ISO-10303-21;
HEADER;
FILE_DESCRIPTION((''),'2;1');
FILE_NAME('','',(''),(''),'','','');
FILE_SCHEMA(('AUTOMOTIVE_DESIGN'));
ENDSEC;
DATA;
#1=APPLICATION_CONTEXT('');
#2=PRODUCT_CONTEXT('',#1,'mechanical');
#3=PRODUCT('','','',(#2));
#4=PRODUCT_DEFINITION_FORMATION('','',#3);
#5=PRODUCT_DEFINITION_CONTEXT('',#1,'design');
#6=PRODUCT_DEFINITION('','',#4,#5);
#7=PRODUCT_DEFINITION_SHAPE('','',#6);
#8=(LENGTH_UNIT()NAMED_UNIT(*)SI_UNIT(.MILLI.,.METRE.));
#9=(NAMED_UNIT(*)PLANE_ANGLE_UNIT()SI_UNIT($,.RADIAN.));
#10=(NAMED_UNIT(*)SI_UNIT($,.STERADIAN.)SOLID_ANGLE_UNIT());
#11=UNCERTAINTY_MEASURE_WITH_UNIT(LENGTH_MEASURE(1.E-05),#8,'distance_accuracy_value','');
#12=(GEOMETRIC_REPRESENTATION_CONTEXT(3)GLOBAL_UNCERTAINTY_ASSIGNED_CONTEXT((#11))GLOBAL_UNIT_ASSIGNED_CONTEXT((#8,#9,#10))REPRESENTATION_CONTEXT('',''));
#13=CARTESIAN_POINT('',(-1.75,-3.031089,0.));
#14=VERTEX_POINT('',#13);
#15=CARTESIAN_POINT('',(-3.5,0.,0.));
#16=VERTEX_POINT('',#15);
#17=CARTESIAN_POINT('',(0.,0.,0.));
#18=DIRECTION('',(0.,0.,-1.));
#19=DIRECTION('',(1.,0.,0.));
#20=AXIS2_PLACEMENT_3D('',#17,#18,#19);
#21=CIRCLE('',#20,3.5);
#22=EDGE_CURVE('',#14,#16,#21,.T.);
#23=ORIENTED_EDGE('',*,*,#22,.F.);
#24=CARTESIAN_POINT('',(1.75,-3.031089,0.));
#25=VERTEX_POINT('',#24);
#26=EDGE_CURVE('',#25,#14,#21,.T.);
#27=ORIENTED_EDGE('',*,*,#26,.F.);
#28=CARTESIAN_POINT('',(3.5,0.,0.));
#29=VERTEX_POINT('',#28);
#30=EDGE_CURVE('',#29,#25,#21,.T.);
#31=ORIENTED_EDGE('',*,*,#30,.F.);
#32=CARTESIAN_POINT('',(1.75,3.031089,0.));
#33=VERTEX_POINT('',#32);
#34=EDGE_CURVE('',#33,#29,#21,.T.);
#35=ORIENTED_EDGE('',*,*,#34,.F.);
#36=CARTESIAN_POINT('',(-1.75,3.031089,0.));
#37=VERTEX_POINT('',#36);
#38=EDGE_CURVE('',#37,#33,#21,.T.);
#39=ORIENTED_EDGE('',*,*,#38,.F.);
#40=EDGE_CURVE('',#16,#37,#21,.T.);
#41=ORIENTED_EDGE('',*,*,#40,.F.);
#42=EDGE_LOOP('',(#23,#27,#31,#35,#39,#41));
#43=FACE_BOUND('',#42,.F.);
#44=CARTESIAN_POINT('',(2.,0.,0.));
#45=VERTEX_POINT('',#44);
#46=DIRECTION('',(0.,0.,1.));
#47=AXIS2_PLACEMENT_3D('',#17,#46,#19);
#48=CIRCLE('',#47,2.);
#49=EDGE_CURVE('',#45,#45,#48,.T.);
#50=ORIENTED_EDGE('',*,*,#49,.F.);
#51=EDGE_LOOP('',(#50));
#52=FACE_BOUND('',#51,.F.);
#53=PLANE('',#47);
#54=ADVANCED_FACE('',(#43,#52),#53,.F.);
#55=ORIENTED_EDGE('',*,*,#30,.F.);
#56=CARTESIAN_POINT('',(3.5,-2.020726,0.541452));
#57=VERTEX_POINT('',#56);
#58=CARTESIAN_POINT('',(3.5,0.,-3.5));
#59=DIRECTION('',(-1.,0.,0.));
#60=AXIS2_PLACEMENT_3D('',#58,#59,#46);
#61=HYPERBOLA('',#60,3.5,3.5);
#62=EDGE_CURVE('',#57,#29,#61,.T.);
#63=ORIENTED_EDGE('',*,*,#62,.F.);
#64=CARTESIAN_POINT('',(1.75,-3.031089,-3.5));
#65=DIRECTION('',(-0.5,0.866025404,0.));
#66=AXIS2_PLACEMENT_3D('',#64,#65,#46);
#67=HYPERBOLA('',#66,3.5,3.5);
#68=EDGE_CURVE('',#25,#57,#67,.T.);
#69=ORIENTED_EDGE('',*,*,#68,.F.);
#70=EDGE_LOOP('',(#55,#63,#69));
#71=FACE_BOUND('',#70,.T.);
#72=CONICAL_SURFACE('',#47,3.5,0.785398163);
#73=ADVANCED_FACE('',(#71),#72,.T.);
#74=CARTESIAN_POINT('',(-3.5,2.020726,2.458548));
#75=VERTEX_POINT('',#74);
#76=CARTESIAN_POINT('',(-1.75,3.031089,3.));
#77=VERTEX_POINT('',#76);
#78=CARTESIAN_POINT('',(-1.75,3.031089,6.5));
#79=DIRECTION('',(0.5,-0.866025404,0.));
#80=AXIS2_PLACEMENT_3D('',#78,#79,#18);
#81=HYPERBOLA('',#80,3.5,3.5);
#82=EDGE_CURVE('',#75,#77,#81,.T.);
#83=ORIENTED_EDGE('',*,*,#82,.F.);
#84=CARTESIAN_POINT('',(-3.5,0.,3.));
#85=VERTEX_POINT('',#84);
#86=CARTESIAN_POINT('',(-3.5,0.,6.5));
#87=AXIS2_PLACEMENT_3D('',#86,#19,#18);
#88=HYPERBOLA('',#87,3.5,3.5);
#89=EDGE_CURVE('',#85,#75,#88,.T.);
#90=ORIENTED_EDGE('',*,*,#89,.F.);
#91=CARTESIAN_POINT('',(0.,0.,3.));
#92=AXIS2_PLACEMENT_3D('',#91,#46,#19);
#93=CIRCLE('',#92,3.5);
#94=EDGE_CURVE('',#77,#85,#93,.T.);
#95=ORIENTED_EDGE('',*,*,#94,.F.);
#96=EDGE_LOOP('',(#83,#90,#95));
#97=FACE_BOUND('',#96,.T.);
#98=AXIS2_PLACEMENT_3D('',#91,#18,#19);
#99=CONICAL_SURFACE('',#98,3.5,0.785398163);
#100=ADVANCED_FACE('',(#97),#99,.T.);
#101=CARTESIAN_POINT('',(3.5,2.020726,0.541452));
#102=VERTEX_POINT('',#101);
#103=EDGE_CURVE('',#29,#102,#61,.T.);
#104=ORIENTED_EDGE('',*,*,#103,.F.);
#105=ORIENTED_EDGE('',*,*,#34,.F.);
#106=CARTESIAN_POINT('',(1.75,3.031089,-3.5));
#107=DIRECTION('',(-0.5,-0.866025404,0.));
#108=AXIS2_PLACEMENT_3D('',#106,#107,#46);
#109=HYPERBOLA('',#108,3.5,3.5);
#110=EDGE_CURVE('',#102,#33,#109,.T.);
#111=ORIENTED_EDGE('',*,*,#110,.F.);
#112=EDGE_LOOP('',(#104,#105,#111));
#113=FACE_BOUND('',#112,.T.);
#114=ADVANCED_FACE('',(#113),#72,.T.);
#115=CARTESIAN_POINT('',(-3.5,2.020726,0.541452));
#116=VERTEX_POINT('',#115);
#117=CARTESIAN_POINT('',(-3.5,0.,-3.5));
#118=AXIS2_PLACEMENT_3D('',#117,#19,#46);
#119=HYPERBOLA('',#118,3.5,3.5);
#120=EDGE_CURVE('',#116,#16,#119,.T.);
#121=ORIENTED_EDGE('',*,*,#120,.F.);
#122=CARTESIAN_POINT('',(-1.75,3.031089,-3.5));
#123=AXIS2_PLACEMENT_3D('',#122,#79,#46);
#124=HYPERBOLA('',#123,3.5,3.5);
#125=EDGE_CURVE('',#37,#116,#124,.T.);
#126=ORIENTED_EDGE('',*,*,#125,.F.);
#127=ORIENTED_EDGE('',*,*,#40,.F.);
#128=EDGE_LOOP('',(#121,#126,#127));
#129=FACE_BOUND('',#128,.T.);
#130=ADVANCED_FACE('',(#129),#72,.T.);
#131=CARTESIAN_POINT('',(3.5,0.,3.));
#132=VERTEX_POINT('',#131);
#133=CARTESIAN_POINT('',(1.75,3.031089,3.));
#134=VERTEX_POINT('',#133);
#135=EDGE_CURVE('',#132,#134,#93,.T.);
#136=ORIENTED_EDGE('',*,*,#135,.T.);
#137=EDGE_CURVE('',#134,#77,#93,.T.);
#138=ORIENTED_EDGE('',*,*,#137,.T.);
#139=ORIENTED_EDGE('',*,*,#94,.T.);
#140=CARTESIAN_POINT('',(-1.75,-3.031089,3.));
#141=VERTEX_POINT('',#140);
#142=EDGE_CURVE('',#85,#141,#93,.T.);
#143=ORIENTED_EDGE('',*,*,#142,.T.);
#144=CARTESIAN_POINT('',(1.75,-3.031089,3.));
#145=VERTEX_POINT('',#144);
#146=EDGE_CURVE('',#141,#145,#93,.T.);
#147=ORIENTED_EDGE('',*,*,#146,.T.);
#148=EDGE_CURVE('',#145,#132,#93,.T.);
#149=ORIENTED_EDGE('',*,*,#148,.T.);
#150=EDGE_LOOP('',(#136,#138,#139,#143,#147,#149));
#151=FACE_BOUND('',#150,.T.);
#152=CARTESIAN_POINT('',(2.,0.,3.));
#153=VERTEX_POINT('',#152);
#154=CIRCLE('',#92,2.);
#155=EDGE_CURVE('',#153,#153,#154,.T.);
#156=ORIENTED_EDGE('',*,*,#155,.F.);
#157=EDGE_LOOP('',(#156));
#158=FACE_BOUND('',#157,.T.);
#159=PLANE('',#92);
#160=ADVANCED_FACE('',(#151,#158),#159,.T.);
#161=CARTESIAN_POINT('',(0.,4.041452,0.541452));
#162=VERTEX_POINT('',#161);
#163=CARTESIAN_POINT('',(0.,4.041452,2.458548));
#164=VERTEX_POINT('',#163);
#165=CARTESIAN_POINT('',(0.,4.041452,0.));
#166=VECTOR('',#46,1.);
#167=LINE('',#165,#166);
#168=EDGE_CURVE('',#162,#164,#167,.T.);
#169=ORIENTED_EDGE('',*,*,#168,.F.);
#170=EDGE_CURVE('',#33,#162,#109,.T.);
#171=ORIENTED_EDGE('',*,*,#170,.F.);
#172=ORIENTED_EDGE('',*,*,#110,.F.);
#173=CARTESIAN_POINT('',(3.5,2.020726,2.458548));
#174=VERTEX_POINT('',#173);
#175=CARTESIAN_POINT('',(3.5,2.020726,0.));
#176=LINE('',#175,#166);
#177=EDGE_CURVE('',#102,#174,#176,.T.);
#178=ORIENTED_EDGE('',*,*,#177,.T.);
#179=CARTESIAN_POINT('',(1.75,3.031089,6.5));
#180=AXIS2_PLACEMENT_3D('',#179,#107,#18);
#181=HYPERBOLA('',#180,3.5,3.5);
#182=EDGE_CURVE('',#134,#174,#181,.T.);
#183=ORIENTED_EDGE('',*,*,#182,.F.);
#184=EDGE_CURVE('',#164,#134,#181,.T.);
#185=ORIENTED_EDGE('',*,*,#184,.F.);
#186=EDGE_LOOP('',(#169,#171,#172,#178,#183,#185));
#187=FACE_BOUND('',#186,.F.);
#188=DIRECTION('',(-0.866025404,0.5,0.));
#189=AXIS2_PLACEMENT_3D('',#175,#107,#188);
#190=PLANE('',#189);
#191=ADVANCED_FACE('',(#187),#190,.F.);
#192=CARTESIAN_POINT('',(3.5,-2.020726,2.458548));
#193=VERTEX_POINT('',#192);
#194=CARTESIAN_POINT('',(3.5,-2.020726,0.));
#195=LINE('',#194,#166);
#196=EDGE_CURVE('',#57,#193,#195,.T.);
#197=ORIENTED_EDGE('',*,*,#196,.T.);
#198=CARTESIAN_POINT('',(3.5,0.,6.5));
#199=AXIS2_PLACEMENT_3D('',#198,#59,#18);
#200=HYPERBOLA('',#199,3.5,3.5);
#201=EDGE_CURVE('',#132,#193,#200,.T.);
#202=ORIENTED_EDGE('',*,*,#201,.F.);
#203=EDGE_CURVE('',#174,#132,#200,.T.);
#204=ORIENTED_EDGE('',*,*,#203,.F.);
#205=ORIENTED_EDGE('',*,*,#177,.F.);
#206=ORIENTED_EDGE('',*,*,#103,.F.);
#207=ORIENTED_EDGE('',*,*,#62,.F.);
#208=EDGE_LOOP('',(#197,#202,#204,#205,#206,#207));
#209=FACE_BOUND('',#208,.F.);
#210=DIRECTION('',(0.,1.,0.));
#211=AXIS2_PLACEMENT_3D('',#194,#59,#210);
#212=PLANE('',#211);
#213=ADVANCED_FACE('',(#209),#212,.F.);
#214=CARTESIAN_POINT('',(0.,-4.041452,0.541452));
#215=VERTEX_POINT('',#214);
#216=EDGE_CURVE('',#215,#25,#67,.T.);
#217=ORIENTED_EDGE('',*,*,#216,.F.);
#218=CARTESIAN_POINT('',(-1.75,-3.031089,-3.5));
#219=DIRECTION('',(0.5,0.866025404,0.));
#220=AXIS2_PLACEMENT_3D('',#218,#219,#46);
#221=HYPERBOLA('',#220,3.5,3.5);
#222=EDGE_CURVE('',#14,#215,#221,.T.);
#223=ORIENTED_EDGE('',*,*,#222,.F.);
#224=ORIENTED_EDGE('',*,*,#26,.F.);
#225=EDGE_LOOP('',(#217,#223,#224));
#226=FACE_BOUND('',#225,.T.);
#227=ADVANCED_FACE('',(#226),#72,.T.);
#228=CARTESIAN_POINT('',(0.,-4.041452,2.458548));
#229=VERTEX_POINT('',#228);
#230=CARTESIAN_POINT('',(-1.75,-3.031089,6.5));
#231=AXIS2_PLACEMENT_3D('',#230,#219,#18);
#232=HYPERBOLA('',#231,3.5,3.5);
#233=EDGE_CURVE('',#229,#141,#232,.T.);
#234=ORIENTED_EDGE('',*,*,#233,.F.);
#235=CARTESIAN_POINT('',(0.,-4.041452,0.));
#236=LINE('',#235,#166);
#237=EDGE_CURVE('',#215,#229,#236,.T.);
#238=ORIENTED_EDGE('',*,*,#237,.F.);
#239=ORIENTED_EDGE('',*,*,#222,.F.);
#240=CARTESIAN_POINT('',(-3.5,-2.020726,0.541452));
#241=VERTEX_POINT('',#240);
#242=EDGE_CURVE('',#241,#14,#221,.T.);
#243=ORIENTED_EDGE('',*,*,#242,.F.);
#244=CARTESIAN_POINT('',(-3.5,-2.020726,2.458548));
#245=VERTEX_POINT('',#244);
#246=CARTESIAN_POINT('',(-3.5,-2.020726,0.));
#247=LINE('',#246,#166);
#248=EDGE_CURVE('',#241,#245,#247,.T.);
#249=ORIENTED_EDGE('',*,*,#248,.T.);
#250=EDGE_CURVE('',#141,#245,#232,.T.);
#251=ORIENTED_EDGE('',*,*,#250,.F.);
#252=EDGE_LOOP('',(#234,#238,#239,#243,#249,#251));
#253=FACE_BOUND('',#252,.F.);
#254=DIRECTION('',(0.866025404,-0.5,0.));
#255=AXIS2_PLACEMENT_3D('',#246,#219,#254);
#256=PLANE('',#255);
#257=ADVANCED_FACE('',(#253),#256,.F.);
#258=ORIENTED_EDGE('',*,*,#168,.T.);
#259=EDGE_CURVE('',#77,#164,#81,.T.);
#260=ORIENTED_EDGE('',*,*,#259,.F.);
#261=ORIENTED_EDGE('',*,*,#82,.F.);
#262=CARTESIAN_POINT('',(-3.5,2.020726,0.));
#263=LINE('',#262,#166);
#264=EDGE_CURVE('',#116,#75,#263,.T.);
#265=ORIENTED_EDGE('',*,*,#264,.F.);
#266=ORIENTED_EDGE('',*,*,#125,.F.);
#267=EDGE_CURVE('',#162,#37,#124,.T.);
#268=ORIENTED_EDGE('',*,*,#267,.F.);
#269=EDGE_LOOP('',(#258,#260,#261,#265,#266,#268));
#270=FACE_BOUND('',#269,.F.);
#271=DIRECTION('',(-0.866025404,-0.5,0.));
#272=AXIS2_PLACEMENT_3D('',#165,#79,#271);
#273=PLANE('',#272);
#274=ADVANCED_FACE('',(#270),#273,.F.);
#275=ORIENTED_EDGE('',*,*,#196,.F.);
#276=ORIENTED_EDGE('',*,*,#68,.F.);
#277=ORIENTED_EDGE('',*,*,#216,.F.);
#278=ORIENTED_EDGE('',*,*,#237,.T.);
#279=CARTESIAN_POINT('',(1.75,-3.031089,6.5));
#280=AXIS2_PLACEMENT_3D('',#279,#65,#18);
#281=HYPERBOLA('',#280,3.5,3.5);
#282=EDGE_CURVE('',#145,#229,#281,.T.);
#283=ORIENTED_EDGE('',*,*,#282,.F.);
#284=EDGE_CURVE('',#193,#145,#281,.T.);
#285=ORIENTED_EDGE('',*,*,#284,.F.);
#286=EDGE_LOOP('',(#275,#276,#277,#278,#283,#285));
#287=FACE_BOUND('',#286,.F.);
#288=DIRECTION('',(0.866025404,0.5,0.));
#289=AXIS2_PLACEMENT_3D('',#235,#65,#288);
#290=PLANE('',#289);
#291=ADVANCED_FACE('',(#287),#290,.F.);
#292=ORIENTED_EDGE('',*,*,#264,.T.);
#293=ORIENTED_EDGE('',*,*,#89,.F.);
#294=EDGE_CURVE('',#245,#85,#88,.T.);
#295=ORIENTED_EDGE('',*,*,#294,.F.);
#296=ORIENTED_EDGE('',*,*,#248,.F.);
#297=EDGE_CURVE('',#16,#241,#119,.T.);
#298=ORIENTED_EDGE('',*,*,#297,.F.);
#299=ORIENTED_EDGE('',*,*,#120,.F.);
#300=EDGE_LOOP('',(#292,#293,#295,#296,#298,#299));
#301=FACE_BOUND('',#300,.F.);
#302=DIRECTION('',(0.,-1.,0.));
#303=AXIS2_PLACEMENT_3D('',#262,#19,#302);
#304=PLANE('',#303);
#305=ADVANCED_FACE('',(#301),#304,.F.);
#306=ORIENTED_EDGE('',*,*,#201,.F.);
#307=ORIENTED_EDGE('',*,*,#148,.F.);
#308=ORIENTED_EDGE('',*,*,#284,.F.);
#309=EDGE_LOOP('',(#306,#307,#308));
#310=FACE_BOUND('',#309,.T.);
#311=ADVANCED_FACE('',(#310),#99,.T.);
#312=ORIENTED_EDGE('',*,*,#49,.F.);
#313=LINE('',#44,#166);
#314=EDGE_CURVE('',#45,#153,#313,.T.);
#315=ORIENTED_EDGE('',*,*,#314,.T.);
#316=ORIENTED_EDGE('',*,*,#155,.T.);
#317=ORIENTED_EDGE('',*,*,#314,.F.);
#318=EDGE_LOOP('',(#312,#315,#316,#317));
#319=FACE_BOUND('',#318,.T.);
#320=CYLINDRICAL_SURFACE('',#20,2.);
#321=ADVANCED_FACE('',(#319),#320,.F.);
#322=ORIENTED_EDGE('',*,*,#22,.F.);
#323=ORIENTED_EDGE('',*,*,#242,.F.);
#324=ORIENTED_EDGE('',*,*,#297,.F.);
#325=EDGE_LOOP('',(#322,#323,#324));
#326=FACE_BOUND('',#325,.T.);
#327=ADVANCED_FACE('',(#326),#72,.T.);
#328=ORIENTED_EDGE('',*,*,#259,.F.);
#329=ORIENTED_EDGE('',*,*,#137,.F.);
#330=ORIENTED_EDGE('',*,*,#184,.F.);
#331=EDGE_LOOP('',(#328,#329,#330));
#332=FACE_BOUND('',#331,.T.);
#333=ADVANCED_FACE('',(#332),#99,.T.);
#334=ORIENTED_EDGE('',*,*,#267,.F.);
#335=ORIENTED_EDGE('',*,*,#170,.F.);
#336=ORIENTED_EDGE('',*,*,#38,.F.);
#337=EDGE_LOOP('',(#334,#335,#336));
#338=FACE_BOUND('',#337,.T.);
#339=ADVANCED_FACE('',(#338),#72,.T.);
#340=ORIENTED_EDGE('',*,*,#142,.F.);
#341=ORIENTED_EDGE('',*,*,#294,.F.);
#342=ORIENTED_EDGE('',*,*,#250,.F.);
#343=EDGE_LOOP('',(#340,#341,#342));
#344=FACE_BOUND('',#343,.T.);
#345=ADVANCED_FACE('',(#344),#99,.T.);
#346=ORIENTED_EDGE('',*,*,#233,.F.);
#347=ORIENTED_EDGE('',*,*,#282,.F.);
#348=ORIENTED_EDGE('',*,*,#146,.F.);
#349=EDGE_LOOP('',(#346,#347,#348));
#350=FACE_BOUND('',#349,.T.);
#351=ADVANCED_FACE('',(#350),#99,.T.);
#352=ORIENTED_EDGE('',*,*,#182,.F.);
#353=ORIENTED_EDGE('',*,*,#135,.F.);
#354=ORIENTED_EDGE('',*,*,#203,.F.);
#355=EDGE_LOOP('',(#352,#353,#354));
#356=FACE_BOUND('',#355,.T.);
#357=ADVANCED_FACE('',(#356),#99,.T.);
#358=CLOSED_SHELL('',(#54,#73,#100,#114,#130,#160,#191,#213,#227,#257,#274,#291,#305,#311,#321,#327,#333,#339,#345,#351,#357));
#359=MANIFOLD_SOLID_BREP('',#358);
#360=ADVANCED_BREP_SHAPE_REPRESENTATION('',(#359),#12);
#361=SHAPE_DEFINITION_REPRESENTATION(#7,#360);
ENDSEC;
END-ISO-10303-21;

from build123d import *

# Parameters (mm, degrees)
SKETCH1_R               = 2
BOSS_EXTRUDE1_DEPTH     = 3
SKETCH2_OUTSIDE_W       = 17.222
SKETCH2_OUTSIDE_H       = 18.304
SKETCH2_OUTSIDE_R       = 3.5
CUT_EXTRUDE1_DEPTH      = 3
CUT_EXTRUDE1_DRAFT      = -45
MIRROR1_COPY_1_SKETCH_W = 17.222
MIRROR1_COPY_1_SKETCH_H = 18.304
MIRROR1_COPY_1_SKETCH_R = 3.5
MIRROR1_COPY_1_DEPTH    = 3
MIRROR1_COPY_1_DRAFT    = -45


with BuildPart() as part:
    # Sketch1 → Boss-Extrude1 (new body)
    with BuildSketch(Plane.XY):
        Polygon((3.5, 2.020725942), (0, 4.041451884), (-3.5, 2.020725942), (-3.5, -2.020725942), (0, -4.041451884), (3.5, -2.020725942), align=None)
        Circle(SKETCH1_R, mode=Mode.SUBTRACT)
    extrude(amount=BOSS_EXTRUDE1_DEPTH)


with BuildPart() as cut_extrude1_tool:
    # Sketch2 outside → Cut-Extrude1 (with draft: the straight prism first)
    with BuildSketch(Plane.XY.offset(3)):
        Rectangle(SKETCH2_OUTSIDE_W, SKETCH2_OUTSIDE_H)
        Circle(SKETCH2_OUTSIDE_R, mode=Mode.SUBTRACT)
    extrude(amount=-CUT_EXTRUDE1_DEPTH)
    # Cut-Extrude1: the draft: its side faces are tilted about the plane it starts from
    cut_extrude1_sides = [cut_extrude1_tool.faces().sort_by_distance(p)[0] for p in [
        (0, -9.152, 1.5),
        (8.611, 0, 1.5),
        (0, 9.152, 1.5),
        (-8.611, 0, 1.5),
        (-3.5, 0, 1.5),
    ]]
    draft(cut_extrude1_sides, Plane.XY.offset(3), CUT_EXTRUDE1_DRAFT)


with BuildPart() as part_1:
    add(part.part)

    # Cut-Extrude1: cut by cut_extrude1_tool
    add(cut_extrude1_tool.part, mode=Mode.SUBTRACT)


with BuildPart() as mirror1_copy_1_tool:
    # Mirror1 copy 1 sketch → Mirror1 copy 1 (with draft: the straight prism first)
    with BuildSketch(Plane(origin=(0, 0, 0), x_dir=(1, 0, 0), z_dir=(0, 0, -1))):
        Rectangle(MIRROR1_COPY_1_SKETCH_W, MIRROR1_COPY_1_SKETCH_H)
        Circle(MIRROR1_COPY_1_SKETCH_R, mode=Mode.SUBTRACT)
    extrude(amount=-MIRROR1_COPY_1_DEPTH)
    # Mirror1 copy 1: the draft: its side faces are tilted about the plane it starts from
    mirror1_copy_1_sides = [mirror1_copy_1_tool.faces().sort_by_distance(p)[0] for p in [
        (0, -9.152, 1.5),
        (8.611, 0, 1.5),
        (0, 9.152, 1.5),
        (-8.611, 0, 1.5),
        (-3.5, 0, 1.5),
    ]]
    draft(mirror1_copy_1_sides, Plane(origin=(0, 0, 0), x_dir=(1, 0, 0), z_dir=(0, 0, -1)), MIRROR1_COPY_1_DRAFT)


with BuildPart() as part_2:
    add(part_1.part)

    # Mirror1 copy 1: cut by mirror1_copy_1_tool
    add(mirror1_copy_1_tool.part, mode=Mode.SUBTRACT)


solid = part_2.part
